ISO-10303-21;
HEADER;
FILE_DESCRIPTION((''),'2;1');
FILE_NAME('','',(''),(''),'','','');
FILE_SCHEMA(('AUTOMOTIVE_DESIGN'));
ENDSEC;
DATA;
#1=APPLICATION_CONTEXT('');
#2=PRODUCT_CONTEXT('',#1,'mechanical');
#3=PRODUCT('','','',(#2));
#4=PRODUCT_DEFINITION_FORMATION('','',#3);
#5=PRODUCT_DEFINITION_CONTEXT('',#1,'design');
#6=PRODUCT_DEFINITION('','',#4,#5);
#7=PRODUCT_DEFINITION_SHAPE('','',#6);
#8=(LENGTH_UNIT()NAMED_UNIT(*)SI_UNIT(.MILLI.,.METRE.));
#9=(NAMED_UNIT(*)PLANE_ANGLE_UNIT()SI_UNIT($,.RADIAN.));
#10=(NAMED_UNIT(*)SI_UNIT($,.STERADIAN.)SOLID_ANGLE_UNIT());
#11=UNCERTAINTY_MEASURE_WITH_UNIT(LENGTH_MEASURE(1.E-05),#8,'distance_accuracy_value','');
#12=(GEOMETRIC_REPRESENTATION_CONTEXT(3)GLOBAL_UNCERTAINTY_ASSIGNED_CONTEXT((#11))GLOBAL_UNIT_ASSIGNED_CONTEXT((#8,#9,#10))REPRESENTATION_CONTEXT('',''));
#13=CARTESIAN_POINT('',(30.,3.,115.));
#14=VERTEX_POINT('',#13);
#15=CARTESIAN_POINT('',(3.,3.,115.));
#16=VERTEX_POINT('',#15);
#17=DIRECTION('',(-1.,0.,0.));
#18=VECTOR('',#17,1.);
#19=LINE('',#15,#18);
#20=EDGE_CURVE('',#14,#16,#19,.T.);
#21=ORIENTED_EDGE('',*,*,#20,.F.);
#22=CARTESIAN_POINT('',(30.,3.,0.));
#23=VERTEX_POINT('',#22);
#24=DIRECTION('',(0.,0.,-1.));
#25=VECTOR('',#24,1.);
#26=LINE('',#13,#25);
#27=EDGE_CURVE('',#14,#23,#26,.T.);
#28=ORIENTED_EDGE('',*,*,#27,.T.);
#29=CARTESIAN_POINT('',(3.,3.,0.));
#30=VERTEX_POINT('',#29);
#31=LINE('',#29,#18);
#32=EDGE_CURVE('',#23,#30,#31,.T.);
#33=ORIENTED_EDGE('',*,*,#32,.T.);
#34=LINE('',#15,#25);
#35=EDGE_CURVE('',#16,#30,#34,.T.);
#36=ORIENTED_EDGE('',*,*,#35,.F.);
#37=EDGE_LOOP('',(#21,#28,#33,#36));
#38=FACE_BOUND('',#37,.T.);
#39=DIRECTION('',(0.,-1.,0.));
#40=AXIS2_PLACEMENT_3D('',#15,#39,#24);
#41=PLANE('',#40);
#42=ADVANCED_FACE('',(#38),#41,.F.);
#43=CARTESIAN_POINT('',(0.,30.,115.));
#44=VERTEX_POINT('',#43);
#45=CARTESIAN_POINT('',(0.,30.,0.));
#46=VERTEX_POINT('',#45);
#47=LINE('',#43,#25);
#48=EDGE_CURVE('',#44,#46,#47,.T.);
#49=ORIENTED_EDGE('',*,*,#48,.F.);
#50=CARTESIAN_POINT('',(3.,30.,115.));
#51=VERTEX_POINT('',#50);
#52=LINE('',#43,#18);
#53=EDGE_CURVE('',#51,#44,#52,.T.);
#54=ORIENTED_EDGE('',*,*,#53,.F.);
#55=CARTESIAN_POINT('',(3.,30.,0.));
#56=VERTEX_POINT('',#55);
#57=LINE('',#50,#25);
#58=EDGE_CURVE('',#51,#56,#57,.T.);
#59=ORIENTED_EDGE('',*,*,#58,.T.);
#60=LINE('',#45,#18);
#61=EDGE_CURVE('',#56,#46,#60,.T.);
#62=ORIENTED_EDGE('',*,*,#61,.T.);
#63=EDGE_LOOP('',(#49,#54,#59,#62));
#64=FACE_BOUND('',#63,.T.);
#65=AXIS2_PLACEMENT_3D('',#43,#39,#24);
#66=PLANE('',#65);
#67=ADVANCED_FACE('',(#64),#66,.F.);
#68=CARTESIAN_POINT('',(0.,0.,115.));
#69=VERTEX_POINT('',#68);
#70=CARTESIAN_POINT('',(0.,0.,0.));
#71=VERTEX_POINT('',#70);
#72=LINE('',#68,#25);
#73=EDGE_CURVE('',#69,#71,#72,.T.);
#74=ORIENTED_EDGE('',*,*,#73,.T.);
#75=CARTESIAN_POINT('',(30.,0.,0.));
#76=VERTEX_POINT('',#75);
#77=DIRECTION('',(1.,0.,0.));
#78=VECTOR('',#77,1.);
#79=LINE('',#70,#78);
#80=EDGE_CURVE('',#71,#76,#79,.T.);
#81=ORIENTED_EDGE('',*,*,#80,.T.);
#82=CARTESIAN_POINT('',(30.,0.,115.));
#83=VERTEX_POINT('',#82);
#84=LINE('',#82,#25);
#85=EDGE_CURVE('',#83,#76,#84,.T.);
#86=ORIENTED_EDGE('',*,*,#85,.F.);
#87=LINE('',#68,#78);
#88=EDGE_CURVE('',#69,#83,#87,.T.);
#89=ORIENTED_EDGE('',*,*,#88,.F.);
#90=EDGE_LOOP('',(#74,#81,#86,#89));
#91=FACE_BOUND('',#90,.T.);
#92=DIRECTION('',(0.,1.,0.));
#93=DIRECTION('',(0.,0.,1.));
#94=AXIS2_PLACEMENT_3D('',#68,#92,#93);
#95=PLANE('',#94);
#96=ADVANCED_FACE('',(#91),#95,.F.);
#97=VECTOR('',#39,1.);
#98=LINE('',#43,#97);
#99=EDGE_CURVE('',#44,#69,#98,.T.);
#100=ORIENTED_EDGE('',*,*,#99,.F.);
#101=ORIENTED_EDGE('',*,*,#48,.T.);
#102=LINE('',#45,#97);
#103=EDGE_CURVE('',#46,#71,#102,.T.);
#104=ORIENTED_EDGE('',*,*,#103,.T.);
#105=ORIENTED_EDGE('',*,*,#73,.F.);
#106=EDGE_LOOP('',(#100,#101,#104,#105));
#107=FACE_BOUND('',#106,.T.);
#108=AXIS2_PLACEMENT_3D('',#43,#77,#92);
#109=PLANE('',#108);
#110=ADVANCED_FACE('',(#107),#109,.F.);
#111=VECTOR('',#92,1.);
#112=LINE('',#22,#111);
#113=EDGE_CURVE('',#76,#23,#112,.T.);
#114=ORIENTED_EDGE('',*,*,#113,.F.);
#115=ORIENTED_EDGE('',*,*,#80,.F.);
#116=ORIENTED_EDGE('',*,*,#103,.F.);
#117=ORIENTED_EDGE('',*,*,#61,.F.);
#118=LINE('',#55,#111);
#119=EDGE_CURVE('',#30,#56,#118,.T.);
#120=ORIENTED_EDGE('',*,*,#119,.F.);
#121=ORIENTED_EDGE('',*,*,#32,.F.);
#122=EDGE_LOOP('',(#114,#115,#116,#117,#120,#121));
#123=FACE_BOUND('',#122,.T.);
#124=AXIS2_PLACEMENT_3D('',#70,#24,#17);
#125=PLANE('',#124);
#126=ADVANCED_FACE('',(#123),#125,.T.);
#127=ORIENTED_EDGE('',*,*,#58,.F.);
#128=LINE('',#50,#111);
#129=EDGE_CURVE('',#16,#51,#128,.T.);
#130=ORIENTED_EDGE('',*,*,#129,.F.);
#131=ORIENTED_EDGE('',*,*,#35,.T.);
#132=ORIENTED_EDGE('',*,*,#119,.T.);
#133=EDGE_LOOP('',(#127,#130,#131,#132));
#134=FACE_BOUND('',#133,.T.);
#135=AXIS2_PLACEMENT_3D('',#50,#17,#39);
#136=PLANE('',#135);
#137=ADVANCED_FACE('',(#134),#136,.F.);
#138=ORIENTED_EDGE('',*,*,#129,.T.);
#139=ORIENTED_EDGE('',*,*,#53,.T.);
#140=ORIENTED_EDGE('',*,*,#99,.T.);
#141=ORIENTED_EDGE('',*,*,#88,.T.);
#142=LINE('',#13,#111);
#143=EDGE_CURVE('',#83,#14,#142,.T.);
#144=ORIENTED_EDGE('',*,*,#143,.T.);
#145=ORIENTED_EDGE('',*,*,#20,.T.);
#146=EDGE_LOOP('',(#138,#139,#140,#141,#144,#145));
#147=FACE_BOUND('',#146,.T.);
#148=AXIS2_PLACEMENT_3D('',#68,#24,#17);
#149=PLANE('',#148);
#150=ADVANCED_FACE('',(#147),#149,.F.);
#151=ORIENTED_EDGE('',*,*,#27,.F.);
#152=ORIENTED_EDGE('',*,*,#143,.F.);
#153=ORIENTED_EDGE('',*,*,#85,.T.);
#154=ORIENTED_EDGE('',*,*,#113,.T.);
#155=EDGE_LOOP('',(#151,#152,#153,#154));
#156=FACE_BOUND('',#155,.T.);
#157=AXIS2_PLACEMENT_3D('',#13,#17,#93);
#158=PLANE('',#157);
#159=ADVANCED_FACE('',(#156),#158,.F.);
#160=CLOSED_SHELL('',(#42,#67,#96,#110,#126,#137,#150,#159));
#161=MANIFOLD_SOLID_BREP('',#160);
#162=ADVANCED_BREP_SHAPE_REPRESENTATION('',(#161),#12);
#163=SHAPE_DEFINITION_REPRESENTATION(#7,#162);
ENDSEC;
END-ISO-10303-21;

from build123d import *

# Parameters (mm, degrees)
EXTRUDE_1_DEPTH = 115


with BuildPart() as part:
    # Эскиз1 → Бобышка-Вытянуть1 (new body)
    with BuildSketch(Plane.XY):
        Polygon((0, 30), (0, 0), (30, 0), (30, 3), (3, 3), (3, 30), align=None)
    extrude(amount=EXTRUDE_1_DEPTH)


solid = part.part
